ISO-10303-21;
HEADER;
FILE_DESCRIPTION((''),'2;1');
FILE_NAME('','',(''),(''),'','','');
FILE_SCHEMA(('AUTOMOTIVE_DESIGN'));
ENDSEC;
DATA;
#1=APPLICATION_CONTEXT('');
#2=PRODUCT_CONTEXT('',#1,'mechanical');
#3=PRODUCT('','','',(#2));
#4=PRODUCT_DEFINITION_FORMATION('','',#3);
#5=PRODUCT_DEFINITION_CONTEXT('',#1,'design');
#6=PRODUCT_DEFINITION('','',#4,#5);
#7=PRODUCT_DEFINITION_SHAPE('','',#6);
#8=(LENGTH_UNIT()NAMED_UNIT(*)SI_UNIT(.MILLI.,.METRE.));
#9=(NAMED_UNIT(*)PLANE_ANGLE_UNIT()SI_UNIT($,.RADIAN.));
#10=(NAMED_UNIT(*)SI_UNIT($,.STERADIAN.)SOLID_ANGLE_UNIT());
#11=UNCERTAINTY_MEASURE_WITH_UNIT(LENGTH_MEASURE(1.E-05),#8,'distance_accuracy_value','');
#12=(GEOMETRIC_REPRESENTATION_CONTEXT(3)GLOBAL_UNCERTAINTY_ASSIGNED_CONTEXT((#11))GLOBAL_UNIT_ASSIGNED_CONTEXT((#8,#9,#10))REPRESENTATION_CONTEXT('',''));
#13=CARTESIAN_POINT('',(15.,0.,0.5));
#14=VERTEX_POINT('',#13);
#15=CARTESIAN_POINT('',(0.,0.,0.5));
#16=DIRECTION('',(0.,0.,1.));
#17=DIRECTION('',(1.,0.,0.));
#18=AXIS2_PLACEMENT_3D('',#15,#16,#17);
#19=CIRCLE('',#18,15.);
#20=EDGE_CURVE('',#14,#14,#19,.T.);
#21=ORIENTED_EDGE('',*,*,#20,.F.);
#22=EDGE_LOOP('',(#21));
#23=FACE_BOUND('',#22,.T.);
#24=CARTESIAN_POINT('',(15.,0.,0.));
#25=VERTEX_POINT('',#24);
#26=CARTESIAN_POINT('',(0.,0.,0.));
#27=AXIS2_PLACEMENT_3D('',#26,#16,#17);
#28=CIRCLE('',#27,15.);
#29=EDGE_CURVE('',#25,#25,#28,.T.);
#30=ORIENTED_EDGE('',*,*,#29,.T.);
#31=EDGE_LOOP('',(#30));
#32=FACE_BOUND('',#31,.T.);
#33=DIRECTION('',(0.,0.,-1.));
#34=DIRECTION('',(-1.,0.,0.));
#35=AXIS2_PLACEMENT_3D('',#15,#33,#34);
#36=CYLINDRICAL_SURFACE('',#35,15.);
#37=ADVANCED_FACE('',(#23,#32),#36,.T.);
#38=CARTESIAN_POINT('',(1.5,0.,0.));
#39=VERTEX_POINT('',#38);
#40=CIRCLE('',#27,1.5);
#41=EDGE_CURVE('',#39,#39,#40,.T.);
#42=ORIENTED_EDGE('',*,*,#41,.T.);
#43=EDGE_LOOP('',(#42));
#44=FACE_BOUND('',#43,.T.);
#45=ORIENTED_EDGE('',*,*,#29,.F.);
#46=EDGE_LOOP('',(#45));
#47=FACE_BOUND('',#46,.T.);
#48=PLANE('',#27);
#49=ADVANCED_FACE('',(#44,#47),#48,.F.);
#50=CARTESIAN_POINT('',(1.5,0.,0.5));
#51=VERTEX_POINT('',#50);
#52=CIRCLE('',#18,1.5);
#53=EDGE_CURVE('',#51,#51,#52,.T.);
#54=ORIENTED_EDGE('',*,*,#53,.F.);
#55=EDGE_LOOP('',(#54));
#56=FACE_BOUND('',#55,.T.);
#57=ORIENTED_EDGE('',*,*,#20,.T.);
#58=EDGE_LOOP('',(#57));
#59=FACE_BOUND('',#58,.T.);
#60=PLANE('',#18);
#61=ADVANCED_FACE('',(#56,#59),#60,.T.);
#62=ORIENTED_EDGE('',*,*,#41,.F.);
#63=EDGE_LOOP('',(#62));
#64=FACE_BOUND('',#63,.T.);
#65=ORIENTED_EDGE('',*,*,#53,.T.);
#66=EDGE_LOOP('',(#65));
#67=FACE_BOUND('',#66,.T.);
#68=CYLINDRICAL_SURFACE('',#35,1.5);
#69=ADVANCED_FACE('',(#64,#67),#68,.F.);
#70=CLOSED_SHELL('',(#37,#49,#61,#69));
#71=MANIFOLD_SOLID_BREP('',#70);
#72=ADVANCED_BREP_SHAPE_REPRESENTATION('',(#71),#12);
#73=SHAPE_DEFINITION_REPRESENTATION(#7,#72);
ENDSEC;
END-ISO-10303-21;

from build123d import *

# Parameters (mm, degrees)
SZKIC1_R                    = 15
SZKIC1_R_2                  = 1.5
DODANIE_WYCI_GNI_CIE1_DEPTH = 0.5


with BuildPart() as part:
    # Szkic1 → Dodanie-wyciągnięcie1 (new body)
    with BuildSketch(Plane.XY):
        Circle(SZKIC1_R)
        Circle(SZKIC1_R_2, mode=Mode.SUBTRACT)
    extrude(amount=DODANIE_WYCI_GNI_CIE1_DEPTH)


solid = part.part
